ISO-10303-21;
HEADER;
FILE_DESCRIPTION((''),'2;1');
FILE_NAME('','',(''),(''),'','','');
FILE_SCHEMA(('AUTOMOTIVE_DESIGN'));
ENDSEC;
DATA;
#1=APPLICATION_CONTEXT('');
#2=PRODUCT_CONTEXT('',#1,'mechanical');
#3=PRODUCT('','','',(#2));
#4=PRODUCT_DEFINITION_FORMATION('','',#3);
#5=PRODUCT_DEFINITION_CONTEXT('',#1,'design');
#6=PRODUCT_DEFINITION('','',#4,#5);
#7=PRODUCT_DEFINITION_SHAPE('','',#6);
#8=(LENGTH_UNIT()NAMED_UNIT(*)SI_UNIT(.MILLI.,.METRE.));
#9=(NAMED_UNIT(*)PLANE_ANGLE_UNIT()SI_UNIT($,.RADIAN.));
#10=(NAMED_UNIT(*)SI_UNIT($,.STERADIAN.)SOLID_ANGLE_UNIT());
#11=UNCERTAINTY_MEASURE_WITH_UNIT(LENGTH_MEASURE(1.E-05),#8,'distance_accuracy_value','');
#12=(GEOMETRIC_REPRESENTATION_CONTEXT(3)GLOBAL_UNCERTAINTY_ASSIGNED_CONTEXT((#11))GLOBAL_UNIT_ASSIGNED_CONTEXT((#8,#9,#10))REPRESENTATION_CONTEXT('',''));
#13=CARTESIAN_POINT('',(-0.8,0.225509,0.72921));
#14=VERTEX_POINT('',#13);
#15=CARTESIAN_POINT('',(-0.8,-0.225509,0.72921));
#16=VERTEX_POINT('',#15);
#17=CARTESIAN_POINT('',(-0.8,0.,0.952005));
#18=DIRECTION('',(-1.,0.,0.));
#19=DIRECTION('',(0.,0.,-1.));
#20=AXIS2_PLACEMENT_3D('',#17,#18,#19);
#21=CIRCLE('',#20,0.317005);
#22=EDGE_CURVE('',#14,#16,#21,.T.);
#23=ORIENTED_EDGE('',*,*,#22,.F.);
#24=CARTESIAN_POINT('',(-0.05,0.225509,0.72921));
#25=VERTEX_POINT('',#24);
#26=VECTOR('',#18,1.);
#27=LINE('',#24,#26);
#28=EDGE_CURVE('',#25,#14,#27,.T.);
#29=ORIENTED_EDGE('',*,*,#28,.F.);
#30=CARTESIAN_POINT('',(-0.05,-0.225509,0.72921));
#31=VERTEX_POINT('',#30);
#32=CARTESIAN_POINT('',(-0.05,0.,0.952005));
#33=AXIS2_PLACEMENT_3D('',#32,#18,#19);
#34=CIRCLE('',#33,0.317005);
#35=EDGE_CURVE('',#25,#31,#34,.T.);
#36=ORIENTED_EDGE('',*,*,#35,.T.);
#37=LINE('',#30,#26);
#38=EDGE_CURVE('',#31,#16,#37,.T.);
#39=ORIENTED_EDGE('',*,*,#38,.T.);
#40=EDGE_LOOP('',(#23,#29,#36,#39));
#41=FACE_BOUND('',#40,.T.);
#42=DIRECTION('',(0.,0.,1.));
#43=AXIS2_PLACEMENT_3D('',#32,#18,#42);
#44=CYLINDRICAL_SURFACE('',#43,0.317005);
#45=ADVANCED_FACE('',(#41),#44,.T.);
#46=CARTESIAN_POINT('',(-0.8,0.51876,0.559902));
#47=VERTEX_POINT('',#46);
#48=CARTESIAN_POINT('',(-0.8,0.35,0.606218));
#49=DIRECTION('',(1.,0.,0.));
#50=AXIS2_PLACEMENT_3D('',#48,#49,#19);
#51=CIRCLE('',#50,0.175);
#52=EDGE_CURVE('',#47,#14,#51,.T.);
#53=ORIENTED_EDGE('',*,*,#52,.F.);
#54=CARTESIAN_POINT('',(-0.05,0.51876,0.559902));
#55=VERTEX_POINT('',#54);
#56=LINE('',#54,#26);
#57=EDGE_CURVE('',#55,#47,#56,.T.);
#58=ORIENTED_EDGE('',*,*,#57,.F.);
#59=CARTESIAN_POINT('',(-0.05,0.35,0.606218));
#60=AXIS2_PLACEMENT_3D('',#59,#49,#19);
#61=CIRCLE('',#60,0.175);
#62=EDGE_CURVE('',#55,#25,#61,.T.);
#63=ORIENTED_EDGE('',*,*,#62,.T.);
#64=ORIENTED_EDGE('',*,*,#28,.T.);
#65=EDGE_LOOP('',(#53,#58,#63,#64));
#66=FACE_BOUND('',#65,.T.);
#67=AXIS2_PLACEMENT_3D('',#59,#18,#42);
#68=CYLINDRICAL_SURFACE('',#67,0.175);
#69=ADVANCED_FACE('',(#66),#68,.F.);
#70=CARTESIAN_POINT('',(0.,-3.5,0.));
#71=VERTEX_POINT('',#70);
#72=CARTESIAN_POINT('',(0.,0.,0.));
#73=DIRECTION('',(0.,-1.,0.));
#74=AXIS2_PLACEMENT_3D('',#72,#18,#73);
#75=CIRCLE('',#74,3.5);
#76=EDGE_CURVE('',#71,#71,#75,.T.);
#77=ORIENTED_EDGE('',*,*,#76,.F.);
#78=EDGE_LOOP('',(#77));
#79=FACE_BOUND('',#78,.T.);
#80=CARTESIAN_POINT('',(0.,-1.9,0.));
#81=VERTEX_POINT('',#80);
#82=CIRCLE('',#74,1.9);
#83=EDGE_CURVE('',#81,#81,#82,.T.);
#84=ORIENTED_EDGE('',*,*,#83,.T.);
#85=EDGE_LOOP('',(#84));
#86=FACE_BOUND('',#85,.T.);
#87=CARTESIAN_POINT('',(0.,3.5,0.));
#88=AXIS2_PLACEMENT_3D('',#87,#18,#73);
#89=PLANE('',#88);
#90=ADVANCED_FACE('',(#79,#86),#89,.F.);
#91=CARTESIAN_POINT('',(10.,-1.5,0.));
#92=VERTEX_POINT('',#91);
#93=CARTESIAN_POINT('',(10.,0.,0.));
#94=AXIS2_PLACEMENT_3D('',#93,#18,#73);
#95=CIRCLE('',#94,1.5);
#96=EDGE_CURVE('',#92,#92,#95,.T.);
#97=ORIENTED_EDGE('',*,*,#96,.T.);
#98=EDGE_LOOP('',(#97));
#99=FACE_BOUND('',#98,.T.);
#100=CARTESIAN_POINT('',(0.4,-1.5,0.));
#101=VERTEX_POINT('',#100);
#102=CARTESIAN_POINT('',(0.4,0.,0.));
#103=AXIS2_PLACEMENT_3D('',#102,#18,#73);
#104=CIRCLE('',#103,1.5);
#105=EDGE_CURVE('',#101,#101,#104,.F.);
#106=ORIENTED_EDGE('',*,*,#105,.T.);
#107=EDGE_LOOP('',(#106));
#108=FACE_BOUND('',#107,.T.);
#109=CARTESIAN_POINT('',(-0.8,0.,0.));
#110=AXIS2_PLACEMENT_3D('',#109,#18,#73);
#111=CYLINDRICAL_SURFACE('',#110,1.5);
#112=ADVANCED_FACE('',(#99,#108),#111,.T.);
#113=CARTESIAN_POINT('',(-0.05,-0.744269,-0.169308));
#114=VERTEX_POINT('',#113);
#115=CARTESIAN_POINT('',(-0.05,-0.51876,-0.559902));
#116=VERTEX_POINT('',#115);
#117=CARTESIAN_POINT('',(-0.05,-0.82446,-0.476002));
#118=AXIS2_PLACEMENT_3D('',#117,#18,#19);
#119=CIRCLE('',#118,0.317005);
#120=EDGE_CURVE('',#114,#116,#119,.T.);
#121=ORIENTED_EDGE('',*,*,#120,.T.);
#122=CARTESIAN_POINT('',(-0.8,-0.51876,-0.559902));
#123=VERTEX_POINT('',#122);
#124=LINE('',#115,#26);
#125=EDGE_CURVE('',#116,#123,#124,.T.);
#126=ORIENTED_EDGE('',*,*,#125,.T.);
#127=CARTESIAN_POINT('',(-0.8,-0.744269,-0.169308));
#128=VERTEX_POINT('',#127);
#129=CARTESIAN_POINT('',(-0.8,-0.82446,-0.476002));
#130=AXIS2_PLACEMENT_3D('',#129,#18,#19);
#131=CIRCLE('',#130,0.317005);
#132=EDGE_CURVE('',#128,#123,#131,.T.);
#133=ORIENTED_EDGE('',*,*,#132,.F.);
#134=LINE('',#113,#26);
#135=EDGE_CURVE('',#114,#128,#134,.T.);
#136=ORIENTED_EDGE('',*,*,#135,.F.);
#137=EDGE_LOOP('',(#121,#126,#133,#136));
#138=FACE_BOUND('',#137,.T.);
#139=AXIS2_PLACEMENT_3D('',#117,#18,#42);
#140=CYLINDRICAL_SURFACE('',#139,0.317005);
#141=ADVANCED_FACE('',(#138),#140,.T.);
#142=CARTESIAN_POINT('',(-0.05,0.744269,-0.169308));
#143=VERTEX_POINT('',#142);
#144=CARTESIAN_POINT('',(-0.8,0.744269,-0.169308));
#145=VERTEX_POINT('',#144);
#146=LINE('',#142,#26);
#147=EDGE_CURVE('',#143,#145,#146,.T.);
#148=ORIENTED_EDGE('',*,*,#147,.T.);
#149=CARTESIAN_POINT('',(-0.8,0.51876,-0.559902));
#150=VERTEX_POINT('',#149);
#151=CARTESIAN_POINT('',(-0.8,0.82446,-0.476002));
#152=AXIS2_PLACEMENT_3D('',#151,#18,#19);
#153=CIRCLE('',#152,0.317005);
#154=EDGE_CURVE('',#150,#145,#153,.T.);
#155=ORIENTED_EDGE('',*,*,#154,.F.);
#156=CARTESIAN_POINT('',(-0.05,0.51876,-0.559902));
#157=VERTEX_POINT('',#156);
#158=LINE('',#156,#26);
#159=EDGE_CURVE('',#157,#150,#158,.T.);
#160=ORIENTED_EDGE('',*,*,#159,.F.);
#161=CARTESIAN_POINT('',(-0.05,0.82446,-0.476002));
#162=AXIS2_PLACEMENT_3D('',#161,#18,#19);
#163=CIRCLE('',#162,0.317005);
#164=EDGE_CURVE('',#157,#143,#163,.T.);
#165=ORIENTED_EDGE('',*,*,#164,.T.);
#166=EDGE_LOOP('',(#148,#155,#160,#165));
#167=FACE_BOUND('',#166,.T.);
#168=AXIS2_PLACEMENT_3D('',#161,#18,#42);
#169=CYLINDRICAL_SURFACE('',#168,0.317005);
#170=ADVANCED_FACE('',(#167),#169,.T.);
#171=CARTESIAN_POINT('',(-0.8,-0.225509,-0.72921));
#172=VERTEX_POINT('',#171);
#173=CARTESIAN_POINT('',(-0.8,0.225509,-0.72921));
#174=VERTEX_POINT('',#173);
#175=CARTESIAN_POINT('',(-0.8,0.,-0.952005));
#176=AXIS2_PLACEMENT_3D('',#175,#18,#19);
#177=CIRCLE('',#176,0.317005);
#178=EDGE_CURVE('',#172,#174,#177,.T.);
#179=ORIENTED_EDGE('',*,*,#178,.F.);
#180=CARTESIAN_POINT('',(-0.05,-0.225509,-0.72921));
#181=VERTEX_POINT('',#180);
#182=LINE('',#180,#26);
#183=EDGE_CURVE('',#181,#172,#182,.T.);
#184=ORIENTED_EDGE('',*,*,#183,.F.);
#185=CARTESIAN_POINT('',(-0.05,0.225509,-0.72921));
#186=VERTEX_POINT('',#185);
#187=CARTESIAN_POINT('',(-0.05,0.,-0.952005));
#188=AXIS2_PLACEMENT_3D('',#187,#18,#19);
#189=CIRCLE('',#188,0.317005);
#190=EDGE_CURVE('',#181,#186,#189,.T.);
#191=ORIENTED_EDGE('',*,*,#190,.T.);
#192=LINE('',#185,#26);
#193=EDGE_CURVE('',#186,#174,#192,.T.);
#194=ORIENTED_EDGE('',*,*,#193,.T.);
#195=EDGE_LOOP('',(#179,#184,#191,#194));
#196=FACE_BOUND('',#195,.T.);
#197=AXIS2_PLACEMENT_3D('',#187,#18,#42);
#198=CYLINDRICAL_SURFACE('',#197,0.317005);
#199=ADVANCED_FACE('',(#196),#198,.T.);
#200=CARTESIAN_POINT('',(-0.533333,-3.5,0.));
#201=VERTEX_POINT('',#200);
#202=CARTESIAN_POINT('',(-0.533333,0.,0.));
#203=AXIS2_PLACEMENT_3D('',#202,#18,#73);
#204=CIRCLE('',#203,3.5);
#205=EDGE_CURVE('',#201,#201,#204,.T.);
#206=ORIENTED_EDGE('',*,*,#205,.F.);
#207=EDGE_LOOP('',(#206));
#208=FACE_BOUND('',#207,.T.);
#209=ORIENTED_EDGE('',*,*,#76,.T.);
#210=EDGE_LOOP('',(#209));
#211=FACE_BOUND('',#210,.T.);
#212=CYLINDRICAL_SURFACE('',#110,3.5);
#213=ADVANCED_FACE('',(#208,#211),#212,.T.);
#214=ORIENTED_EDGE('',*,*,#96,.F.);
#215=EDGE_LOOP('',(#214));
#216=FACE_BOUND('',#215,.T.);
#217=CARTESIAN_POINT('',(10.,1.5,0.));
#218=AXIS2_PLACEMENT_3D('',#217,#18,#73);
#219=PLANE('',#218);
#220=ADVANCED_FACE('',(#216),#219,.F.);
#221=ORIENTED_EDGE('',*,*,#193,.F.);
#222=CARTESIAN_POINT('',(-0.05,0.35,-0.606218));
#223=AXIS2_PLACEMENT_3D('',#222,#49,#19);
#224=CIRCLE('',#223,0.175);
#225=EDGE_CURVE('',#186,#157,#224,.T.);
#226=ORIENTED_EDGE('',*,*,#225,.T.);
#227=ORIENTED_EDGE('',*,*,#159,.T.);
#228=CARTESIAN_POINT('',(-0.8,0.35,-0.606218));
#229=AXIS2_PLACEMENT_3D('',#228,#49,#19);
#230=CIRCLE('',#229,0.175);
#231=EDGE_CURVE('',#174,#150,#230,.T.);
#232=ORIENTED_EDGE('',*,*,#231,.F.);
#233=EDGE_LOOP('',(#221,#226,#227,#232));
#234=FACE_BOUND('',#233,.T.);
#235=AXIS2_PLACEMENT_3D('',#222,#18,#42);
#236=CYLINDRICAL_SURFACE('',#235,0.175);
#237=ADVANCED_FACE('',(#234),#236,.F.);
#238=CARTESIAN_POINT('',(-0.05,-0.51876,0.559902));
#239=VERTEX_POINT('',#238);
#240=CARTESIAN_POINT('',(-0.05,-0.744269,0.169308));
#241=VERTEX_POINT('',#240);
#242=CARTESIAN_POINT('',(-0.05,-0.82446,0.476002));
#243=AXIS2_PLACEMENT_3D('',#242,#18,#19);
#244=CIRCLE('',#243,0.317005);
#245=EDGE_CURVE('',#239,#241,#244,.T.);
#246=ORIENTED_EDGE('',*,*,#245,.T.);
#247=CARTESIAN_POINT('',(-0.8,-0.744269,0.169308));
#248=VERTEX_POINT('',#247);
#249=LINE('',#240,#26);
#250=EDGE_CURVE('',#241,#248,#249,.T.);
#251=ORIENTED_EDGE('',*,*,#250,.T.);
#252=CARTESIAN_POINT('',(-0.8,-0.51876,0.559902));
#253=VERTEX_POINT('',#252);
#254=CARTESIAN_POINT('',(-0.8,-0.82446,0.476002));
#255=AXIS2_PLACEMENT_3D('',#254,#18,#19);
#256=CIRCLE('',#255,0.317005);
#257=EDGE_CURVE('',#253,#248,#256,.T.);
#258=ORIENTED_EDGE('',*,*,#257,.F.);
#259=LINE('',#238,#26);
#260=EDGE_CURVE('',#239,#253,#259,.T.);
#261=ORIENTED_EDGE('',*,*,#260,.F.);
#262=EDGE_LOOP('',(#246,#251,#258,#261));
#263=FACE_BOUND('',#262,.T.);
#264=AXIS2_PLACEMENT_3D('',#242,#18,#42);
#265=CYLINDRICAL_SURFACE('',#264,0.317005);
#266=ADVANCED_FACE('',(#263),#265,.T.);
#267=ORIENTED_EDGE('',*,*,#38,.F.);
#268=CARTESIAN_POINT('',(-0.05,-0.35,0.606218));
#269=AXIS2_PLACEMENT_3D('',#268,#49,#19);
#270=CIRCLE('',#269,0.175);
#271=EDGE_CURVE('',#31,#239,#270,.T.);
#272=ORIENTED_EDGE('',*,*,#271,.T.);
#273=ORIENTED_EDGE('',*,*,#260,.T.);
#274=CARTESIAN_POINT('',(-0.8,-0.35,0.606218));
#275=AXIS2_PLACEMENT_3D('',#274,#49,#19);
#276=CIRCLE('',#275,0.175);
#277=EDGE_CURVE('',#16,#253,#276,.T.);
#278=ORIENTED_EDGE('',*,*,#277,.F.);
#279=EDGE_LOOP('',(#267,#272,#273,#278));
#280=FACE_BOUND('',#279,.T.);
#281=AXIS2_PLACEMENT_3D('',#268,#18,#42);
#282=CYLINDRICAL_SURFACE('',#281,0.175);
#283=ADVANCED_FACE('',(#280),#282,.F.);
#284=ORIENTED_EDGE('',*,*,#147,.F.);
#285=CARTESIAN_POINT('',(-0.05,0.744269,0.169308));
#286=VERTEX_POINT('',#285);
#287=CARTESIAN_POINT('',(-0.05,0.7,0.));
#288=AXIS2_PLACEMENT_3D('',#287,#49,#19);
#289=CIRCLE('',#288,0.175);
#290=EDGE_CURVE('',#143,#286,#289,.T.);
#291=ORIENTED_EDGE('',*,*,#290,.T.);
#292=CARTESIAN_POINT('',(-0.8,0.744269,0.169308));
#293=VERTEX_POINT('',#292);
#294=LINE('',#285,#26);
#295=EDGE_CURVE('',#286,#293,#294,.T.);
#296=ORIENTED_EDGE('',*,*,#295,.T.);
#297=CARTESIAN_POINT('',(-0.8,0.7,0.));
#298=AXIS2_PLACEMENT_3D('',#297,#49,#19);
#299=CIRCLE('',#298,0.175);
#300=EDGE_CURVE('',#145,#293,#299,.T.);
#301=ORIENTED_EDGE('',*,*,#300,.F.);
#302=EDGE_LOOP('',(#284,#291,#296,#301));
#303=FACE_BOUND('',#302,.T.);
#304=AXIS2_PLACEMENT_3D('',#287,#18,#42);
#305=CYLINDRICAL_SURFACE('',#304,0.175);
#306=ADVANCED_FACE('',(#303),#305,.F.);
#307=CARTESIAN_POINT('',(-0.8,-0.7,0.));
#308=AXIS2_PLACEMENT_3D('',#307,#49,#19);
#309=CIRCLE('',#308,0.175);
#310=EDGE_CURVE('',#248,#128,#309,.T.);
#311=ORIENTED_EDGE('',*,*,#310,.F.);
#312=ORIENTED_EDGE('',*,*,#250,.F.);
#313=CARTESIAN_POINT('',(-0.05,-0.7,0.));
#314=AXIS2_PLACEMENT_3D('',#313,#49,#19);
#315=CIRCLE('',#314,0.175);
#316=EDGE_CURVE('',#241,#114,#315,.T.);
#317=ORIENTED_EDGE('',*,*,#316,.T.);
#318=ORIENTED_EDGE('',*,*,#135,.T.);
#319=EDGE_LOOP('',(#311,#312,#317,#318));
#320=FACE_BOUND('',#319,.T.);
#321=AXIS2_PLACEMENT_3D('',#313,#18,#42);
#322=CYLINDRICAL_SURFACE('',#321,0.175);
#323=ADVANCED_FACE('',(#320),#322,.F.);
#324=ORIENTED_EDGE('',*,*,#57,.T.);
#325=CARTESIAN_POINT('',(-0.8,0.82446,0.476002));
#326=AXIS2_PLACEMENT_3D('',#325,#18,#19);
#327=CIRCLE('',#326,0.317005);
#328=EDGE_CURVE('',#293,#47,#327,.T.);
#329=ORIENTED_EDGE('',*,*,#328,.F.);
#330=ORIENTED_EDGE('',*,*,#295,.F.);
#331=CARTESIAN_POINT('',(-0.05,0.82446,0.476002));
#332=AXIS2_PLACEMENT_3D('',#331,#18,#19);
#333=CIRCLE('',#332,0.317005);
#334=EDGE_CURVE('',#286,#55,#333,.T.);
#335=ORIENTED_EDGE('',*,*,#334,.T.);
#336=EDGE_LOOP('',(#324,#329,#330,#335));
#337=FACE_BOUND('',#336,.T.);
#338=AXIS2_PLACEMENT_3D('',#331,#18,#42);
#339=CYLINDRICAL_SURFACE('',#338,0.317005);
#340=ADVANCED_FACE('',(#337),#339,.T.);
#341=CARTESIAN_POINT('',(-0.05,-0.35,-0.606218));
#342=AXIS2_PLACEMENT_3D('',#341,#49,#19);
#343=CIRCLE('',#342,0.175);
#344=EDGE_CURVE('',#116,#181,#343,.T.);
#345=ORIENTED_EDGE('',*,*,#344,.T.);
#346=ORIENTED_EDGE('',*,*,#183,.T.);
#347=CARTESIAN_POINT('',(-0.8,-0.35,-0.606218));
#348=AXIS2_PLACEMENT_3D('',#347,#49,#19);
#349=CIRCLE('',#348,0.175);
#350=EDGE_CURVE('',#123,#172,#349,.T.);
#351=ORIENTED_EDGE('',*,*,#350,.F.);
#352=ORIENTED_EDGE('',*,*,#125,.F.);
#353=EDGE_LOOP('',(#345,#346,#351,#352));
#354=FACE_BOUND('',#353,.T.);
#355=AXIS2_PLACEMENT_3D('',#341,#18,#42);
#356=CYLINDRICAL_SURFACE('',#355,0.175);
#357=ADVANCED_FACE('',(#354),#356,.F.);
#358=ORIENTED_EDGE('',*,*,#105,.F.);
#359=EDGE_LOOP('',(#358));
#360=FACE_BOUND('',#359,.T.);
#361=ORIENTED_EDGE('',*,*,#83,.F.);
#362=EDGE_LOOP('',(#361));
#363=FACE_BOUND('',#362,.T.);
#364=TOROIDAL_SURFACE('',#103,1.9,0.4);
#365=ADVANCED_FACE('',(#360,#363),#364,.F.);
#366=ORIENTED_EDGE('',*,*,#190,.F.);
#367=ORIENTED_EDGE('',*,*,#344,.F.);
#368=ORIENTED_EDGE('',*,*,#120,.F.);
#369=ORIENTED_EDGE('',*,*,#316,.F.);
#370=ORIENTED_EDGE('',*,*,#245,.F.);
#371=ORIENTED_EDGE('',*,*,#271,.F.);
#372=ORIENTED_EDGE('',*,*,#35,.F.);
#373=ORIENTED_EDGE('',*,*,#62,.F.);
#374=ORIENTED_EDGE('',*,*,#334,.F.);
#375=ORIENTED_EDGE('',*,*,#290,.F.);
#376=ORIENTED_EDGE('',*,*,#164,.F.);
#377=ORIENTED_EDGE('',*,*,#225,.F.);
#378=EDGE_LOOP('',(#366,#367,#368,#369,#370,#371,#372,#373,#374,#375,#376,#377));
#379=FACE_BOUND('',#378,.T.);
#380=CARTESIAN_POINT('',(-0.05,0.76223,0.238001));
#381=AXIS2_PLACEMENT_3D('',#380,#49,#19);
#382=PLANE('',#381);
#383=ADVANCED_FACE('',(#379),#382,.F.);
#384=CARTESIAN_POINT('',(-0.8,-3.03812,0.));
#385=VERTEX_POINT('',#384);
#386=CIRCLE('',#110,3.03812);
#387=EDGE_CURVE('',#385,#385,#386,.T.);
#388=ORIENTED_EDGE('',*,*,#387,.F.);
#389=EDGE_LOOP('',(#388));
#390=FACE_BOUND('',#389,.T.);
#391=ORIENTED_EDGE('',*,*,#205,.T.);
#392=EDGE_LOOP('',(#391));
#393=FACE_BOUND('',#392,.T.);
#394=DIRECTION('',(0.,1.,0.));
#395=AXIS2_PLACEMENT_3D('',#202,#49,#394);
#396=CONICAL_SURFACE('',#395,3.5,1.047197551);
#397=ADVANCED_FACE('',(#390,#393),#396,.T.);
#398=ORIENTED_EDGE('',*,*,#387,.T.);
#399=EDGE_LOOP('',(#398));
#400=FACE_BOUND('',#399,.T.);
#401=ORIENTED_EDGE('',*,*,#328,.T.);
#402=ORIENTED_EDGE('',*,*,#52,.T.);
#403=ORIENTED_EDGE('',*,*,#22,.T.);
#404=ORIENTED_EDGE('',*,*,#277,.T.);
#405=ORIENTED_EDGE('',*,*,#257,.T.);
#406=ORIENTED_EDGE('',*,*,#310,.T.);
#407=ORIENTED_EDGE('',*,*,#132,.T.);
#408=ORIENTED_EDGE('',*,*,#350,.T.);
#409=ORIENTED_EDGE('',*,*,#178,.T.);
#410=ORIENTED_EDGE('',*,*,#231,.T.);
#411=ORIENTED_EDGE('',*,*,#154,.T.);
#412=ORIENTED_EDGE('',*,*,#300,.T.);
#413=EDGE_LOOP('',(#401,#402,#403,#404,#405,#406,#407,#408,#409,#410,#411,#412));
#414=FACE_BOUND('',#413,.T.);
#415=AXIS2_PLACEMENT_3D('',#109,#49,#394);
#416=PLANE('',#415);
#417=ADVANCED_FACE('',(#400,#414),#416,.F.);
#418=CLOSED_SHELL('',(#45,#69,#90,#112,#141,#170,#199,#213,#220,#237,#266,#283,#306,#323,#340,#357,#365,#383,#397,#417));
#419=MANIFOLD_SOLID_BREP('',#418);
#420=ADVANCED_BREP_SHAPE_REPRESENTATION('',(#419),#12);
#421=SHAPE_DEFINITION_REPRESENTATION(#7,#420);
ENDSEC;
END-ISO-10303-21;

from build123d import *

# Parameters (mm, degrees)
CUT_EXTRUDE1_DEPTH = 0.75
FILLET1_R          = 0.4


with BuildPart() as part:
    # Sketch1 → Revolve1 (revolve)
    with BuildSketch(Plane.XY):
        Polygon((0, 1.5), (10, 1.5), (10, 0), (-0.8, 0), (-0.8, 3.038119785), (-0.533333333, 3.5), (0, 3.5), align=None)
    revolve(axis=Axis((-0.8, 0, 0), (1, 0, 0)))

    # Sketch2 → Cut-Extrude1 (cut)
    with BuildSketch(Plane(origin=(-0.8, 0, 0), x_dir=(0, 0, -1), z_dir=(1, 0, 0))):
        with BuildLine():
            ThreePointArc((0.16930818, 0.744268952), (0, 0.875), (-0.16930818, 0.744268952))
            ThreePointArc((-0.16930818, 0.744268952), (-0.3175, 0.549926131), (-0.55990173, 0.518759661))
            ThreePointArc((-0.55990173, 0.518759661), (-0.757772228, 0.4375), (-0.72920991, 0.225509291))
            ThreePointArc((-0.72920991, 0.225509291), (-0.635, 0), (-0.72920991, -0.225509291))
            ThreePointArc((-0.72920991, -0.225509291), (-0.757772228, -0.4375), (-0.55990173, -0.518759661))
            ThreePointArc((-0.55990173, -0.518759661), (-0.3175, -0.549926131), (-0.16930818, -0.744268952))
            ThreePointArc((-0.16930818, -0.744268952), (0, -0.875), (0.16930818, -0.744268952))
            ThreePointArc((0.16930818, -0.744268952), (0.3175, -0.549926131), (0.55990173, -0.518759661))
            ThreePointArc((0.55990173, -0.518759661), (0.757772228, -0.4375), (0.72920991, -0.225509291))
            ThreePointArc((0.72920991, -0.225509291), (0.635, 0), (0.72920991, 0.225509291))
            ThreePointArc((0.72920991, 0.225509291), (0.757772228, 0.4375), (0.55990173, 0.518759661))
            ThreePointArc((0.55990173, 0.518759661), (0.3175, 0.549926131), (0.16930818, 0.744268952))
        make_face()
    extrude(amount=CUT_EXTRUDE1_DEPTH, mode=Mode.SUBTRACT)

    # Fillet1
    fillet1_edges = [part.edges().sort_by_distance(p)[0] for p in [
        (0, -1.5, 0),
    ]]
    fillet(fillet1_edges, radius=FILLET1_R)


solid = part.part
